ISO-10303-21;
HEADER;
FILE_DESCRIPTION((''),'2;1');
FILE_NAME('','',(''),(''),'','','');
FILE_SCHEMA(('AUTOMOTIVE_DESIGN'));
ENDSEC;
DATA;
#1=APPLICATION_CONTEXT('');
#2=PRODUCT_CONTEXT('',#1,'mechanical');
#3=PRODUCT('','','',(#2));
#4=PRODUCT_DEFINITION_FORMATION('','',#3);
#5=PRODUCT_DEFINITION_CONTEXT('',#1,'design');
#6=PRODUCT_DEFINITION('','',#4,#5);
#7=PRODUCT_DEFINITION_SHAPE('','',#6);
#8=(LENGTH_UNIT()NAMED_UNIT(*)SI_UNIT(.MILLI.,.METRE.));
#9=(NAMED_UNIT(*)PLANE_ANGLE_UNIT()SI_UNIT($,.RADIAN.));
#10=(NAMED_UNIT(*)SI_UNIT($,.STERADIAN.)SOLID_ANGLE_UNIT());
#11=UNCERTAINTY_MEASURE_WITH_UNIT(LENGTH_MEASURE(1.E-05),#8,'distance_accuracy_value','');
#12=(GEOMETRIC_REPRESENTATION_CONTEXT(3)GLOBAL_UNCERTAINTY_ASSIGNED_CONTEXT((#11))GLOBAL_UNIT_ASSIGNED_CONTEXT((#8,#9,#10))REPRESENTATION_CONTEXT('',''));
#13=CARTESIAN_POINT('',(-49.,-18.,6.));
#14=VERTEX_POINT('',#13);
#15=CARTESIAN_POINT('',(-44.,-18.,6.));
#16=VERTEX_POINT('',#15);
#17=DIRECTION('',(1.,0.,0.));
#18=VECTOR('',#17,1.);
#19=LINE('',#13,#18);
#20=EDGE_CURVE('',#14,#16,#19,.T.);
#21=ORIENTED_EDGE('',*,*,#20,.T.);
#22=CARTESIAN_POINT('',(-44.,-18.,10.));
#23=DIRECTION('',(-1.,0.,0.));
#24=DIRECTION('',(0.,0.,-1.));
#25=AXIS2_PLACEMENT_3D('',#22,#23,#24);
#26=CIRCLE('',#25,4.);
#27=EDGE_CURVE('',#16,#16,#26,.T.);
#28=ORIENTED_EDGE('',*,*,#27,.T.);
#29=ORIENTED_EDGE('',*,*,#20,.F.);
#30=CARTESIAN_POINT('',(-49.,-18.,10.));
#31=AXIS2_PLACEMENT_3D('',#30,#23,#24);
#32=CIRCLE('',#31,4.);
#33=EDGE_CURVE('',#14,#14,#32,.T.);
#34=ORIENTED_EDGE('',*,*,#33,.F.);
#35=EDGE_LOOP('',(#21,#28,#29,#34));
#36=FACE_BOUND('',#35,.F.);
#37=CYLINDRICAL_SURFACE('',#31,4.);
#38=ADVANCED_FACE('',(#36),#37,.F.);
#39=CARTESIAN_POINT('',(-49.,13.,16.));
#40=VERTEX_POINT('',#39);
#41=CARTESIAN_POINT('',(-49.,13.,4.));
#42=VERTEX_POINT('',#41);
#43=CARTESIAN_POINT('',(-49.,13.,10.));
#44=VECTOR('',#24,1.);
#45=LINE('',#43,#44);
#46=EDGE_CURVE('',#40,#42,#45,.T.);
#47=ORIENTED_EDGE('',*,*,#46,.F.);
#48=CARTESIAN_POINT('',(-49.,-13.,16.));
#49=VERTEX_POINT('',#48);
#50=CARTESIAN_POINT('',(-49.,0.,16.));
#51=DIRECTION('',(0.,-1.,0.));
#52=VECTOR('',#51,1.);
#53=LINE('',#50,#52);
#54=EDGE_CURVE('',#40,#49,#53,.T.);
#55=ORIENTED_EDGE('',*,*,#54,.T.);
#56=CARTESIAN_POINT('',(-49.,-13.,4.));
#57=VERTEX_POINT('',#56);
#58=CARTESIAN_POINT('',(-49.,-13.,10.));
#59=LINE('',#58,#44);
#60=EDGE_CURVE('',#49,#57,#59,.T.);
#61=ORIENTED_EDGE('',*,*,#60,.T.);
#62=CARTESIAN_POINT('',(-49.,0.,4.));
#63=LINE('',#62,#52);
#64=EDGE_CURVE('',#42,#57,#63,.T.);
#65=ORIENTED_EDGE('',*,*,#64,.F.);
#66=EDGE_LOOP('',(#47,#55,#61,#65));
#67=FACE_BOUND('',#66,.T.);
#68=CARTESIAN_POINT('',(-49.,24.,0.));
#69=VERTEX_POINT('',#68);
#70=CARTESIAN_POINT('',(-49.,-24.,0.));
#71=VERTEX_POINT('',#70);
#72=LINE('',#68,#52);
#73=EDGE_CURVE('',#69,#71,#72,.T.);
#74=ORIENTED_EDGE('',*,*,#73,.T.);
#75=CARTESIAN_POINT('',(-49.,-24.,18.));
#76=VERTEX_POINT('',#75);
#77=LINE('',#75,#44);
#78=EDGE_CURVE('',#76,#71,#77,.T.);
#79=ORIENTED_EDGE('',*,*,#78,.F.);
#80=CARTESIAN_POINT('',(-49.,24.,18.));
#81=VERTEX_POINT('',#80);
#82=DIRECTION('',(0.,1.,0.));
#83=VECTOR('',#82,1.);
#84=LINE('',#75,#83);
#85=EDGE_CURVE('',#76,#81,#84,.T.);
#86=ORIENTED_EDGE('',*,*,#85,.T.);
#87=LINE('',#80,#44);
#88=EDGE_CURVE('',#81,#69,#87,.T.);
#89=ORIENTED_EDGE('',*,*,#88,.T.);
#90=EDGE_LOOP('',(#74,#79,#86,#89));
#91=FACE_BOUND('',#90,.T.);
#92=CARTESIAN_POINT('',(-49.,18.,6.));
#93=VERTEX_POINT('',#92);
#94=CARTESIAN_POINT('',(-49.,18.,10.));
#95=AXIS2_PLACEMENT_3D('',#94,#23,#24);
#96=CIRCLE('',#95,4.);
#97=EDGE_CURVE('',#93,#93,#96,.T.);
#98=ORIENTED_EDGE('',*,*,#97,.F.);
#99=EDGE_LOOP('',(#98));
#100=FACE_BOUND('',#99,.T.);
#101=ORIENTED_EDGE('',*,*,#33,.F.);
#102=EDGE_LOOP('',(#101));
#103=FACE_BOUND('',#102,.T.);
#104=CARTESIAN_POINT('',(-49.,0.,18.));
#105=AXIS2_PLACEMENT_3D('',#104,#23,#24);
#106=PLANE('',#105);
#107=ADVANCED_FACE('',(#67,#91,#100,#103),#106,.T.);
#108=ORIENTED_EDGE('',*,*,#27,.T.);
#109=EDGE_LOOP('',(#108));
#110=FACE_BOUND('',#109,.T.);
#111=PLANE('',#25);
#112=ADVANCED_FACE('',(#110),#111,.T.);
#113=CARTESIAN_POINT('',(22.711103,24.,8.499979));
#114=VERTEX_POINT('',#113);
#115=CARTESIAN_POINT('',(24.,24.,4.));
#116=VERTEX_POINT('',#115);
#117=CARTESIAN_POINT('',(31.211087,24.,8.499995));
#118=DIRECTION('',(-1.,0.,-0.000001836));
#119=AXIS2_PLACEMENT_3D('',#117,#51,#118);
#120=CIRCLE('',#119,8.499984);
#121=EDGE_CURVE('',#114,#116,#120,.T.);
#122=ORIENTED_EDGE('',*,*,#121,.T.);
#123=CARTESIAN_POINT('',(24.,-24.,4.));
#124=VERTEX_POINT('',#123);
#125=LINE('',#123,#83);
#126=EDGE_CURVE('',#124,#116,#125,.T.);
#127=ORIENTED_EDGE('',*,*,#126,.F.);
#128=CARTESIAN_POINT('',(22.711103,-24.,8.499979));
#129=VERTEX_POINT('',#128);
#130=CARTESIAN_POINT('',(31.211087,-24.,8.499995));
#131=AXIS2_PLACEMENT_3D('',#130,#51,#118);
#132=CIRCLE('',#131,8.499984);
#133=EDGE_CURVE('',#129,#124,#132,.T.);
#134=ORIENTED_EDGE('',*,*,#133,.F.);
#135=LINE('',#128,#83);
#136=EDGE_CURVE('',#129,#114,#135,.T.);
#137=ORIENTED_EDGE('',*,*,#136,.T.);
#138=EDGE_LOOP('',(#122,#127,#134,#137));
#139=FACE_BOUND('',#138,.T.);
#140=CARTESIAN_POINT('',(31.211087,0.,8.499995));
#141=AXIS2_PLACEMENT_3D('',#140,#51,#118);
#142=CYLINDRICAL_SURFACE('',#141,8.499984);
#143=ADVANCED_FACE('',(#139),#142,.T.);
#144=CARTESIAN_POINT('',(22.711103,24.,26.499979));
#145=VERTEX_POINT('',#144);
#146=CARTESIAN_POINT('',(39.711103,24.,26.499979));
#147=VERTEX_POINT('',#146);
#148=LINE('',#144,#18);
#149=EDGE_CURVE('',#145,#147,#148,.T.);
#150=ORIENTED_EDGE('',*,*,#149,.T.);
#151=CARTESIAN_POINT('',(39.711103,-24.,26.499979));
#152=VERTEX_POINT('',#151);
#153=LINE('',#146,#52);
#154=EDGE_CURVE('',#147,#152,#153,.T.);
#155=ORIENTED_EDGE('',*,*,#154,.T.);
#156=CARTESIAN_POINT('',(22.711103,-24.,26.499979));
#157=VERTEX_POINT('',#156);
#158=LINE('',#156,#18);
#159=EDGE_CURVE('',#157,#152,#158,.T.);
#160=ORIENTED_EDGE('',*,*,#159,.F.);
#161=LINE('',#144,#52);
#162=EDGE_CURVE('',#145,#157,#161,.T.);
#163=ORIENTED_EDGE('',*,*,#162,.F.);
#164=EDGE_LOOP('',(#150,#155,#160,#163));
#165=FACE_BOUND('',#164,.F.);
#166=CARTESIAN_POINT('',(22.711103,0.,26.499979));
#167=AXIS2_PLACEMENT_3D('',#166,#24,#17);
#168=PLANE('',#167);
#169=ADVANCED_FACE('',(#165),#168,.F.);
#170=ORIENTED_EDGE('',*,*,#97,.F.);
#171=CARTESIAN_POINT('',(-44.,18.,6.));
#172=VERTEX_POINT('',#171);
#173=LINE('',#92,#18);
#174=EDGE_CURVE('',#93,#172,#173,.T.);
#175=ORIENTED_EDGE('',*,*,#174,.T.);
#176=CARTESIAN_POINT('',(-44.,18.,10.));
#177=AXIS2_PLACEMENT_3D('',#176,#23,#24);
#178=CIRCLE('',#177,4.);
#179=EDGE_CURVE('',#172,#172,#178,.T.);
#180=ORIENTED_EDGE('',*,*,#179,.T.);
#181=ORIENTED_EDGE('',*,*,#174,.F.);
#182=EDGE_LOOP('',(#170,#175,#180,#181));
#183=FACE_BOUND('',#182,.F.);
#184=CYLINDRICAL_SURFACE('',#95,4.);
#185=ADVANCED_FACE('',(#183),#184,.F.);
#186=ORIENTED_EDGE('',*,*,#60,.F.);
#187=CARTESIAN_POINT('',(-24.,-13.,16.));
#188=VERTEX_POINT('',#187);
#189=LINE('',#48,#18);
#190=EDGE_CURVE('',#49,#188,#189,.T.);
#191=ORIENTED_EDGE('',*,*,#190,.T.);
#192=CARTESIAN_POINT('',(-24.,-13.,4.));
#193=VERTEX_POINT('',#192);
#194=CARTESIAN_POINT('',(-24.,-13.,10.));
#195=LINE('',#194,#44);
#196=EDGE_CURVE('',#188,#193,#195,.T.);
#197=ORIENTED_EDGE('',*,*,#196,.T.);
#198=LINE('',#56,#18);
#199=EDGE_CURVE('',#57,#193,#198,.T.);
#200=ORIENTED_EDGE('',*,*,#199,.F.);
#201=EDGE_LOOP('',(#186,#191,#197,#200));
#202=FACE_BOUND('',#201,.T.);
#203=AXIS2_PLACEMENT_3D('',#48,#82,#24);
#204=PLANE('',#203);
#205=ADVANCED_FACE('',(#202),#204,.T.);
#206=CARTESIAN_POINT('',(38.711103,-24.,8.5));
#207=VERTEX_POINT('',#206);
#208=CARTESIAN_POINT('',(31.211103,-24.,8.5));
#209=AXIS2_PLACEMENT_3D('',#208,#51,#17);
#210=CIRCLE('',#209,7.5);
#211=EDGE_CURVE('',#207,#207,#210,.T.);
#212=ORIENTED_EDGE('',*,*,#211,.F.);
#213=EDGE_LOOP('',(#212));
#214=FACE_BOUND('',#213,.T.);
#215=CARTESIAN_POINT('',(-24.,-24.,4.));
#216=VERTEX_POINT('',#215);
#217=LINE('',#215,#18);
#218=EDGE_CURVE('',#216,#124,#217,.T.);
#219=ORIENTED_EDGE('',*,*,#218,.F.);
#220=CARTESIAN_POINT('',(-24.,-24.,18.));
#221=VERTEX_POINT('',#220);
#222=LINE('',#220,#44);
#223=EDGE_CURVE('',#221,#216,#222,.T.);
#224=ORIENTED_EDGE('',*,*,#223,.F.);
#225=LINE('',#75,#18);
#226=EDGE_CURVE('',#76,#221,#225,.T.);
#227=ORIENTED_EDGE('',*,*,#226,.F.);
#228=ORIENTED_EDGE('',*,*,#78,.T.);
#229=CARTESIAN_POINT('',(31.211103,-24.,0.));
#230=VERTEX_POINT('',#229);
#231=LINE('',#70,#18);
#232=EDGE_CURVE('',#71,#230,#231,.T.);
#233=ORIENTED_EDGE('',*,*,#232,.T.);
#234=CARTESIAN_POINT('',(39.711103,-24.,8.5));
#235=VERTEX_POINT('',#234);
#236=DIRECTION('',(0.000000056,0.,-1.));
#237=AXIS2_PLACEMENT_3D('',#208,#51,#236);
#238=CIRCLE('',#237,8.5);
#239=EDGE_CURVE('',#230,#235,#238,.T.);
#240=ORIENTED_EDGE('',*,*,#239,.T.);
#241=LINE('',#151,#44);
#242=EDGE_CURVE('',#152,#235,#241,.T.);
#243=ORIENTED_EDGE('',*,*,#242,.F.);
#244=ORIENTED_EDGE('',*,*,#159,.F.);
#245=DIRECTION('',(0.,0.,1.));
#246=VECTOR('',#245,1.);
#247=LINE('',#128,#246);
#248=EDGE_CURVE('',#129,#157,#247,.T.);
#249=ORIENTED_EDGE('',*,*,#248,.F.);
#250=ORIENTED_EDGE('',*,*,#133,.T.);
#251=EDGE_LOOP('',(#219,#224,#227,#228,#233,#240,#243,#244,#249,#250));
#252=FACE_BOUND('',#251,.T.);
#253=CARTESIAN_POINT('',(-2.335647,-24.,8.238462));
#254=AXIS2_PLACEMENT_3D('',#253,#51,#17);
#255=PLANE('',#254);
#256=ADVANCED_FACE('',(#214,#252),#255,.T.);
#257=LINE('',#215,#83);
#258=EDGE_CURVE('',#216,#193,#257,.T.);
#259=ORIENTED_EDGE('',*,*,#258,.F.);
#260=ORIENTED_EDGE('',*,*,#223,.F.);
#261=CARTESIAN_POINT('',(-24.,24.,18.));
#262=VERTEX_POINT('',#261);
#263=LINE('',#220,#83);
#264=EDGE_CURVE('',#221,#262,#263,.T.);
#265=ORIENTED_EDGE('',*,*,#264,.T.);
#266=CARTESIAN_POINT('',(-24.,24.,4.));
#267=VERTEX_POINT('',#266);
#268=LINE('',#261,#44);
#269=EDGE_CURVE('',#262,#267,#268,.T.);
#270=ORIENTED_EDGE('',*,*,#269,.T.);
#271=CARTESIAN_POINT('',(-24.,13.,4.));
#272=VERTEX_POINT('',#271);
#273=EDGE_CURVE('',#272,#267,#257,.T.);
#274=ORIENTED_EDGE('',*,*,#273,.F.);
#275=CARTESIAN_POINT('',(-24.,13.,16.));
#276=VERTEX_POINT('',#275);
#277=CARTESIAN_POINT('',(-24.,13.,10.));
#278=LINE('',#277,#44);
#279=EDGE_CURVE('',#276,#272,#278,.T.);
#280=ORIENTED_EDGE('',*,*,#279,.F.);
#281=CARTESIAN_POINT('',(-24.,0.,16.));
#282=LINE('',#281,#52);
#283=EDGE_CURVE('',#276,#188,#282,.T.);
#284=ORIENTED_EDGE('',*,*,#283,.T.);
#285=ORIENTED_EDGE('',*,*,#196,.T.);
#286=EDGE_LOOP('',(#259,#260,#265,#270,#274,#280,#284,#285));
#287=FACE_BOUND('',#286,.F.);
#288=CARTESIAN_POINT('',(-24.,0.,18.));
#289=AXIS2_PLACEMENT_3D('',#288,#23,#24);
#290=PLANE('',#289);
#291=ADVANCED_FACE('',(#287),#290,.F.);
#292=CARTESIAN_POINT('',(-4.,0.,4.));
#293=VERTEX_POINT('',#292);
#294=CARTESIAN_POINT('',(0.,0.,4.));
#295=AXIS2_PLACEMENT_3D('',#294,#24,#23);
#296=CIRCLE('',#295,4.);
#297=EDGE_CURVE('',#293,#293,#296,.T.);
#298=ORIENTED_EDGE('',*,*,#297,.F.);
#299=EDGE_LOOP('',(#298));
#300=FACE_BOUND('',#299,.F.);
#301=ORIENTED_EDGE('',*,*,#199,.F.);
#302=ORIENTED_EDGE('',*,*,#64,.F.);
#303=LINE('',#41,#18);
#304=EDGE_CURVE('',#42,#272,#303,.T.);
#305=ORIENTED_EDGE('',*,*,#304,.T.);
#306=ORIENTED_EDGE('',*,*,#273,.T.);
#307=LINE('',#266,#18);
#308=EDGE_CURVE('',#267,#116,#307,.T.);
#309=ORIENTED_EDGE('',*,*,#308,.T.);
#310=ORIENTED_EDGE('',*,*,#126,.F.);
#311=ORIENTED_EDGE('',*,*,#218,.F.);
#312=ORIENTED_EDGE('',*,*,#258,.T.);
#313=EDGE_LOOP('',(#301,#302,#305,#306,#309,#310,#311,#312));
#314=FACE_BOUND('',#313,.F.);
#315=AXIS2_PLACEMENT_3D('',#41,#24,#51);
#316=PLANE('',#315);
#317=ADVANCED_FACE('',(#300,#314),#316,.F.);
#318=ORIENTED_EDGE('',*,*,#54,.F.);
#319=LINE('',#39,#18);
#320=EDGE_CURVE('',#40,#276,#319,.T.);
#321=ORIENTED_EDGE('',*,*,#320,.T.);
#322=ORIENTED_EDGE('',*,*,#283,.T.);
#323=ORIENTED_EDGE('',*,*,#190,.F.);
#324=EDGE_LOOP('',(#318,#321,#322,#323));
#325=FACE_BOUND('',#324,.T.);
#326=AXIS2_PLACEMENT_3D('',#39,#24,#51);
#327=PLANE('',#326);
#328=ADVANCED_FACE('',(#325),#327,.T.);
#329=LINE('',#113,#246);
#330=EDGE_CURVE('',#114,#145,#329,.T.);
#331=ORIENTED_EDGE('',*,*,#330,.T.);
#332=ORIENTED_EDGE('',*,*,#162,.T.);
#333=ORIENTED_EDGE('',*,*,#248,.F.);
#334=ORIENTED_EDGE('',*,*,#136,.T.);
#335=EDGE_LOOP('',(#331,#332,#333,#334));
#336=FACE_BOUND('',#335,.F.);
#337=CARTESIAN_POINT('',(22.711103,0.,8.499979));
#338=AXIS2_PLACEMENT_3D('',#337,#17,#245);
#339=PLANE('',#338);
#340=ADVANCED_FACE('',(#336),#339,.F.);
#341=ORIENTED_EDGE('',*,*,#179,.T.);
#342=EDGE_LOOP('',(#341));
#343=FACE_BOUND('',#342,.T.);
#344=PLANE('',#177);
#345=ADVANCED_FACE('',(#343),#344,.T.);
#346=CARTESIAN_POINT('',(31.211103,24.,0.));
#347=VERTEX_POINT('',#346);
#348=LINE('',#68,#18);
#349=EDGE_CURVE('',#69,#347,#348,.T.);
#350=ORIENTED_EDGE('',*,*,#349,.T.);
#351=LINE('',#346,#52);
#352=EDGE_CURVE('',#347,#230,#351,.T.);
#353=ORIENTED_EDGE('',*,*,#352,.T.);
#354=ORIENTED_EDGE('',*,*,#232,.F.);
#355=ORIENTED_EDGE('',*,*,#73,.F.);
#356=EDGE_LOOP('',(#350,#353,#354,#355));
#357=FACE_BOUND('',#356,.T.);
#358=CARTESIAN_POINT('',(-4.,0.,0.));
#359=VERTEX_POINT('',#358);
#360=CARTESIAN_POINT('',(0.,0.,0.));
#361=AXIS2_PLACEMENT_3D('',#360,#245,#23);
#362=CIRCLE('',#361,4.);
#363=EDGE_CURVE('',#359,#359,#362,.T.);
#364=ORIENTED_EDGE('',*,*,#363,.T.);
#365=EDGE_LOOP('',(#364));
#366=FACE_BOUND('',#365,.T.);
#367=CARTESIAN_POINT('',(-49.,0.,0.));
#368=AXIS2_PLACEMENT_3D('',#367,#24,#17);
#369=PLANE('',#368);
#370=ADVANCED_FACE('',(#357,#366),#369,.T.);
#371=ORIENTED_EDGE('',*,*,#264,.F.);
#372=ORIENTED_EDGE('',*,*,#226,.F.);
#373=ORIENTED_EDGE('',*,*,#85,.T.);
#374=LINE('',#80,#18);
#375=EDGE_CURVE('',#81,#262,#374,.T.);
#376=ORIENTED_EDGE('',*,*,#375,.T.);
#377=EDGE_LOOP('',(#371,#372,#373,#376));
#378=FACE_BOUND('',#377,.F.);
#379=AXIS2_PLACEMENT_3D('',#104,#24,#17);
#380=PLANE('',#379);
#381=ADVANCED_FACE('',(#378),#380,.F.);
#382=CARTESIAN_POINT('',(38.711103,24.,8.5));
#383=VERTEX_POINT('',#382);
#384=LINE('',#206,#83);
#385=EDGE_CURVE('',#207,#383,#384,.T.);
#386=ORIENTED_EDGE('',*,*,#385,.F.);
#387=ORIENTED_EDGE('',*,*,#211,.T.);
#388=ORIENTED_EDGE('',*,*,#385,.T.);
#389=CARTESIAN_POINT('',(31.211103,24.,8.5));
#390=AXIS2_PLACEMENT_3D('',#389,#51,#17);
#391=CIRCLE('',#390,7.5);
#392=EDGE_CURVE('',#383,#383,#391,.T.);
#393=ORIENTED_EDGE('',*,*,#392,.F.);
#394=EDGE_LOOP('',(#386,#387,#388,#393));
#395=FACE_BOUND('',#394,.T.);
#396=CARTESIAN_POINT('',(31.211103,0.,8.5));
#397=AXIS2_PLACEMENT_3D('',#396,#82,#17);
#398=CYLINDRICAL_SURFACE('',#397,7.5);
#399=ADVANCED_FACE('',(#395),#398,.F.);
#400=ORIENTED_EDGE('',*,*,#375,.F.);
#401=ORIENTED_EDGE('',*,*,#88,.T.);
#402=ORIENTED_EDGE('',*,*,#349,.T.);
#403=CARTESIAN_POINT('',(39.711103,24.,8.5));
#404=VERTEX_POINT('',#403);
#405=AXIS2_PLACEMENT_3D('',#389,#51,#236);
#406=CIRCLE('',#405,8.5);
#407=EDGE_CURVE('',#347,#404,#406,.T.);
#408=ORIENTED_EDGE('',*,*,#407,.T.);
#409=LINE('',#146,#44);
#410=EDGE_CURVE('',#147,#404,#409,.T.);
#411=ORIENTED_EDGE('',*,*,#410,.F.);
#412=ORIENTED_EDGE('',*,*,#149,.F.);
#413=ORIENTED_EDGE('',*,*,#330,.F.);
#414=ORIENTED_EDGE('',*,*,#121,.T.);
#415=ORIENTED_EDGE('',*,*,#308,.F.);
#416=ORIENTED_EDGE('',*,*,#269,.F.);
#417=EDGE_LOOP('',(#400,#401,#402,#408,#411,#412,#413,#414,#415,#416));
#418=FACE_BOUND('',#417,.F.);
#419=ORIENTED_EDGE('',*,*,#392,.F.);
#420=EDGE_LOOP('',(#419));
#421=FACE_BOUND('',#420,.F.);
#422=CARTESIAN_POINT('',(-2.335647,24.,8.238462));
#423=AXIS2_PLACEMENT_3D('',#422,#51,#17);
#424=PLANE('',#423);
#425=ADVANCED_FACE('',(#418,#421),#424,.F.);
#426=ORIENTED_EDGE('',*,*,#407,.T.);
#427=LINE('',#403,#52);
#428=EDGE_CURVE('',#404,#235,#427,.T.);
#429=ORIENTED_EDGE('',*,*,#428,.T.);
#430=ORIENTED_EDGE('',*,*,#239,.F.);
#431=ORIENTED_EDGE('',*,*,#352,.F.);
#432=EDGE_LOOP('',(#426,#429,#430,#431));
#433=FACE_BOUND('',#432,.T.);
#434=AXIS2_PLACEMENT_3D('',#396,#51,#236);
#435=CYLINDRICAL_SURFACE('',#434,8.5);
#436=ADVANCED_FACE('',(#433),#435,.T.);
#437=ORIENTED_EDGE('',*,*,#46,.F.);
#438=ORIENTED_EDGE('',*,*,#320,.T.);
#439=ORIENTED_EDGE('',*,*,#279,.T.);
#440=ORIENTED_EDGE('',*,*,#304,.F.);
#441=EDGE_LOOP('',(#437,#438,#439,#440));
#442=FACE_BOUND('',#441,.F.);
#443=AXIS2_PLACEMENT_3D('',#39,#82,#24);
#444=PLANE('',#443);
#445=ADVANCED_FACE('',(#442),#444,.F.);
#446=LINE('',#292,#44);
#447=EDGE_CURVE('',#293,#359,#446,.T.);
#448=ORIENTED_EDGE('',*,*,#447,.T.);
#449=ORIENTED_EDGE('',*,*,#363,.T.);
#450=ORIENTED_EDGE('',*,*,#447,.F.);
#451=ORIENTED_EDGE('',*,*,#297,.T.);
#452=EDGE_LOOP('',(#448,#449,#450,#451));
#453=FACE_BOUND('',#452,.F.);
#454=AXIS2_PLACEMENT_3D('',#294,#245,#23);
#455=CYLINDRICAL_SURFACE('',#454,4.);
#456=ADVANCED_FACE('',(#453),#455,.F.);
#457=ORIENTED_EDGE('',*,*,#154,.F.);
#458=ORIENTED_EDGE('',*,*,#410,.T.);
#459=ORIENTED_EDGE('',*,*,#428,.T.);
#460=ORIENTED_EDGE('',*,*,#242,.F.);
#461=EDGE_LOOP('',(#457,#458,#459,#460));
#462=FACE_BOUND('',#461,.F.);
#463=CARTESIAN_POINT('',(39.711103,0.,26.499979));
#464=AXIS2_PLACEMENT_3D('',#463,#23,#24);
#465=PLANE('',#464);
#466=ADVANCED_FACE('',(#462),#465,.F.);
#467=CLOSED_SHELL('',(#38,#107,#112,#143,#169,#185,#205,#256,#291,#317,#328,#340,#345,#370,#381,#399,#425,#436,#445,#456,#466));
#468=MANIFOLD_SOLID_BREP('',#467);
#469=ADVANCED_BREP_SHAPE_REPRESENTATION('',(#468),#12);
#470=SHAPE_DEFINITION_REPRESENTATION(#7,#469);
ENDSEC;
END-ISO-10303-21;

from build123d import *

# Parameters (mm, degrees)
SKETCH_R           = 7.5
PAD_DEPTH          = 24
SKETCH001_R        = 4
POCKET_DEPTH       = 5
POLARPATTERN_COUNT = 2
SKETCH002_W        = 12
SKETCH002_H        = 26
POCKET001_DEPTH    = 25
SKETCH004_R        = 4
POCKET002_DEPTH    = 5


with BuildPart() as part:
    # Sketch → Pad (new body, symmetric)
    with BuildSketch(Plane.XZ):
        with BuildLine():
            Line((-49, 18), (-49, 0))
            Line((-49, 0), (31.211103, 0))
            ThreePointArc((31.211103, 0), (37.22151, 2.489592), (39.711103, 8.5))
            Line((39.711103, 26.499979), (39.711103, 8.5))
            Line((22.711103, 26.499979), (39.711103, 26.499979))
            Line((22.711103, 8.499979), (22.711103, 26.499979))
            ThreePointArc((22.711103, 8.499979), (23.03968, 6.159517), (24, 4))
            Line((-24, 4), (24, 4))
            Line((-24, 18), (-24, 4))
            Line((-49, 18), (-24, 18))
        make_face()
        with Locations((31.211103, 8.5)):
            Circle(SKETCH_R, mode=Mode.SUBTRACT)
    extrude(amount=PAD_DEPTH, both=True)

    # Sketch001 → Pocket (cut)
    with BuildSketch(Plane(origin=(0, 0, 4), x_dir=(-1, 0, 0), z_dir=(0, 0, 1))):
        Circle(SKETCH001_R)
    pocket = extrude(amount=-POCKET_DEPTH, mode=Mode.SUBTRACT)

    # PolarPattern: Pocket ×2 about axis
    polarpattern_axis = Axis((0, 0, 4), (0, 0, 1))
    for i in range(1, POLARPATTERN_COUNT):
        add(pocket.rotate(polarpattern_axis, i * 360 / POLARPATTERN_COUNT), mode=Mode.SUBTRACT)

    # Sketch002 → Pocket001 (cut)
    with BuildSketch(Plane(origin=(-49, 0, 0), x_dir=(0, 0, -1), z_dir=(-1, 0, 0))):
        with Locations((-10, 0)):
            Rectangle(SKETCH002_W, SKETCH002_H)
    extrude(amount=-POCKET001_DEPTH, mode=Mode.SUBTRACT)

    # Sketch004 → Pocket002 (cut)
    with BuildSketch(Plane(origin=(-49, 0, 0), x_dir=(0, 0, -1), z_dir=(-1, 0, 0))):
        with Locations((-10, -18)):
            Circle(SKETCH004_R)
        with Locations((-10, 18)):
            Circle(SKETCH004_R)
    extrude(amount=-POCKET002_DEPTH, mode=Mode.SUBTRACT)


solid = part.part
